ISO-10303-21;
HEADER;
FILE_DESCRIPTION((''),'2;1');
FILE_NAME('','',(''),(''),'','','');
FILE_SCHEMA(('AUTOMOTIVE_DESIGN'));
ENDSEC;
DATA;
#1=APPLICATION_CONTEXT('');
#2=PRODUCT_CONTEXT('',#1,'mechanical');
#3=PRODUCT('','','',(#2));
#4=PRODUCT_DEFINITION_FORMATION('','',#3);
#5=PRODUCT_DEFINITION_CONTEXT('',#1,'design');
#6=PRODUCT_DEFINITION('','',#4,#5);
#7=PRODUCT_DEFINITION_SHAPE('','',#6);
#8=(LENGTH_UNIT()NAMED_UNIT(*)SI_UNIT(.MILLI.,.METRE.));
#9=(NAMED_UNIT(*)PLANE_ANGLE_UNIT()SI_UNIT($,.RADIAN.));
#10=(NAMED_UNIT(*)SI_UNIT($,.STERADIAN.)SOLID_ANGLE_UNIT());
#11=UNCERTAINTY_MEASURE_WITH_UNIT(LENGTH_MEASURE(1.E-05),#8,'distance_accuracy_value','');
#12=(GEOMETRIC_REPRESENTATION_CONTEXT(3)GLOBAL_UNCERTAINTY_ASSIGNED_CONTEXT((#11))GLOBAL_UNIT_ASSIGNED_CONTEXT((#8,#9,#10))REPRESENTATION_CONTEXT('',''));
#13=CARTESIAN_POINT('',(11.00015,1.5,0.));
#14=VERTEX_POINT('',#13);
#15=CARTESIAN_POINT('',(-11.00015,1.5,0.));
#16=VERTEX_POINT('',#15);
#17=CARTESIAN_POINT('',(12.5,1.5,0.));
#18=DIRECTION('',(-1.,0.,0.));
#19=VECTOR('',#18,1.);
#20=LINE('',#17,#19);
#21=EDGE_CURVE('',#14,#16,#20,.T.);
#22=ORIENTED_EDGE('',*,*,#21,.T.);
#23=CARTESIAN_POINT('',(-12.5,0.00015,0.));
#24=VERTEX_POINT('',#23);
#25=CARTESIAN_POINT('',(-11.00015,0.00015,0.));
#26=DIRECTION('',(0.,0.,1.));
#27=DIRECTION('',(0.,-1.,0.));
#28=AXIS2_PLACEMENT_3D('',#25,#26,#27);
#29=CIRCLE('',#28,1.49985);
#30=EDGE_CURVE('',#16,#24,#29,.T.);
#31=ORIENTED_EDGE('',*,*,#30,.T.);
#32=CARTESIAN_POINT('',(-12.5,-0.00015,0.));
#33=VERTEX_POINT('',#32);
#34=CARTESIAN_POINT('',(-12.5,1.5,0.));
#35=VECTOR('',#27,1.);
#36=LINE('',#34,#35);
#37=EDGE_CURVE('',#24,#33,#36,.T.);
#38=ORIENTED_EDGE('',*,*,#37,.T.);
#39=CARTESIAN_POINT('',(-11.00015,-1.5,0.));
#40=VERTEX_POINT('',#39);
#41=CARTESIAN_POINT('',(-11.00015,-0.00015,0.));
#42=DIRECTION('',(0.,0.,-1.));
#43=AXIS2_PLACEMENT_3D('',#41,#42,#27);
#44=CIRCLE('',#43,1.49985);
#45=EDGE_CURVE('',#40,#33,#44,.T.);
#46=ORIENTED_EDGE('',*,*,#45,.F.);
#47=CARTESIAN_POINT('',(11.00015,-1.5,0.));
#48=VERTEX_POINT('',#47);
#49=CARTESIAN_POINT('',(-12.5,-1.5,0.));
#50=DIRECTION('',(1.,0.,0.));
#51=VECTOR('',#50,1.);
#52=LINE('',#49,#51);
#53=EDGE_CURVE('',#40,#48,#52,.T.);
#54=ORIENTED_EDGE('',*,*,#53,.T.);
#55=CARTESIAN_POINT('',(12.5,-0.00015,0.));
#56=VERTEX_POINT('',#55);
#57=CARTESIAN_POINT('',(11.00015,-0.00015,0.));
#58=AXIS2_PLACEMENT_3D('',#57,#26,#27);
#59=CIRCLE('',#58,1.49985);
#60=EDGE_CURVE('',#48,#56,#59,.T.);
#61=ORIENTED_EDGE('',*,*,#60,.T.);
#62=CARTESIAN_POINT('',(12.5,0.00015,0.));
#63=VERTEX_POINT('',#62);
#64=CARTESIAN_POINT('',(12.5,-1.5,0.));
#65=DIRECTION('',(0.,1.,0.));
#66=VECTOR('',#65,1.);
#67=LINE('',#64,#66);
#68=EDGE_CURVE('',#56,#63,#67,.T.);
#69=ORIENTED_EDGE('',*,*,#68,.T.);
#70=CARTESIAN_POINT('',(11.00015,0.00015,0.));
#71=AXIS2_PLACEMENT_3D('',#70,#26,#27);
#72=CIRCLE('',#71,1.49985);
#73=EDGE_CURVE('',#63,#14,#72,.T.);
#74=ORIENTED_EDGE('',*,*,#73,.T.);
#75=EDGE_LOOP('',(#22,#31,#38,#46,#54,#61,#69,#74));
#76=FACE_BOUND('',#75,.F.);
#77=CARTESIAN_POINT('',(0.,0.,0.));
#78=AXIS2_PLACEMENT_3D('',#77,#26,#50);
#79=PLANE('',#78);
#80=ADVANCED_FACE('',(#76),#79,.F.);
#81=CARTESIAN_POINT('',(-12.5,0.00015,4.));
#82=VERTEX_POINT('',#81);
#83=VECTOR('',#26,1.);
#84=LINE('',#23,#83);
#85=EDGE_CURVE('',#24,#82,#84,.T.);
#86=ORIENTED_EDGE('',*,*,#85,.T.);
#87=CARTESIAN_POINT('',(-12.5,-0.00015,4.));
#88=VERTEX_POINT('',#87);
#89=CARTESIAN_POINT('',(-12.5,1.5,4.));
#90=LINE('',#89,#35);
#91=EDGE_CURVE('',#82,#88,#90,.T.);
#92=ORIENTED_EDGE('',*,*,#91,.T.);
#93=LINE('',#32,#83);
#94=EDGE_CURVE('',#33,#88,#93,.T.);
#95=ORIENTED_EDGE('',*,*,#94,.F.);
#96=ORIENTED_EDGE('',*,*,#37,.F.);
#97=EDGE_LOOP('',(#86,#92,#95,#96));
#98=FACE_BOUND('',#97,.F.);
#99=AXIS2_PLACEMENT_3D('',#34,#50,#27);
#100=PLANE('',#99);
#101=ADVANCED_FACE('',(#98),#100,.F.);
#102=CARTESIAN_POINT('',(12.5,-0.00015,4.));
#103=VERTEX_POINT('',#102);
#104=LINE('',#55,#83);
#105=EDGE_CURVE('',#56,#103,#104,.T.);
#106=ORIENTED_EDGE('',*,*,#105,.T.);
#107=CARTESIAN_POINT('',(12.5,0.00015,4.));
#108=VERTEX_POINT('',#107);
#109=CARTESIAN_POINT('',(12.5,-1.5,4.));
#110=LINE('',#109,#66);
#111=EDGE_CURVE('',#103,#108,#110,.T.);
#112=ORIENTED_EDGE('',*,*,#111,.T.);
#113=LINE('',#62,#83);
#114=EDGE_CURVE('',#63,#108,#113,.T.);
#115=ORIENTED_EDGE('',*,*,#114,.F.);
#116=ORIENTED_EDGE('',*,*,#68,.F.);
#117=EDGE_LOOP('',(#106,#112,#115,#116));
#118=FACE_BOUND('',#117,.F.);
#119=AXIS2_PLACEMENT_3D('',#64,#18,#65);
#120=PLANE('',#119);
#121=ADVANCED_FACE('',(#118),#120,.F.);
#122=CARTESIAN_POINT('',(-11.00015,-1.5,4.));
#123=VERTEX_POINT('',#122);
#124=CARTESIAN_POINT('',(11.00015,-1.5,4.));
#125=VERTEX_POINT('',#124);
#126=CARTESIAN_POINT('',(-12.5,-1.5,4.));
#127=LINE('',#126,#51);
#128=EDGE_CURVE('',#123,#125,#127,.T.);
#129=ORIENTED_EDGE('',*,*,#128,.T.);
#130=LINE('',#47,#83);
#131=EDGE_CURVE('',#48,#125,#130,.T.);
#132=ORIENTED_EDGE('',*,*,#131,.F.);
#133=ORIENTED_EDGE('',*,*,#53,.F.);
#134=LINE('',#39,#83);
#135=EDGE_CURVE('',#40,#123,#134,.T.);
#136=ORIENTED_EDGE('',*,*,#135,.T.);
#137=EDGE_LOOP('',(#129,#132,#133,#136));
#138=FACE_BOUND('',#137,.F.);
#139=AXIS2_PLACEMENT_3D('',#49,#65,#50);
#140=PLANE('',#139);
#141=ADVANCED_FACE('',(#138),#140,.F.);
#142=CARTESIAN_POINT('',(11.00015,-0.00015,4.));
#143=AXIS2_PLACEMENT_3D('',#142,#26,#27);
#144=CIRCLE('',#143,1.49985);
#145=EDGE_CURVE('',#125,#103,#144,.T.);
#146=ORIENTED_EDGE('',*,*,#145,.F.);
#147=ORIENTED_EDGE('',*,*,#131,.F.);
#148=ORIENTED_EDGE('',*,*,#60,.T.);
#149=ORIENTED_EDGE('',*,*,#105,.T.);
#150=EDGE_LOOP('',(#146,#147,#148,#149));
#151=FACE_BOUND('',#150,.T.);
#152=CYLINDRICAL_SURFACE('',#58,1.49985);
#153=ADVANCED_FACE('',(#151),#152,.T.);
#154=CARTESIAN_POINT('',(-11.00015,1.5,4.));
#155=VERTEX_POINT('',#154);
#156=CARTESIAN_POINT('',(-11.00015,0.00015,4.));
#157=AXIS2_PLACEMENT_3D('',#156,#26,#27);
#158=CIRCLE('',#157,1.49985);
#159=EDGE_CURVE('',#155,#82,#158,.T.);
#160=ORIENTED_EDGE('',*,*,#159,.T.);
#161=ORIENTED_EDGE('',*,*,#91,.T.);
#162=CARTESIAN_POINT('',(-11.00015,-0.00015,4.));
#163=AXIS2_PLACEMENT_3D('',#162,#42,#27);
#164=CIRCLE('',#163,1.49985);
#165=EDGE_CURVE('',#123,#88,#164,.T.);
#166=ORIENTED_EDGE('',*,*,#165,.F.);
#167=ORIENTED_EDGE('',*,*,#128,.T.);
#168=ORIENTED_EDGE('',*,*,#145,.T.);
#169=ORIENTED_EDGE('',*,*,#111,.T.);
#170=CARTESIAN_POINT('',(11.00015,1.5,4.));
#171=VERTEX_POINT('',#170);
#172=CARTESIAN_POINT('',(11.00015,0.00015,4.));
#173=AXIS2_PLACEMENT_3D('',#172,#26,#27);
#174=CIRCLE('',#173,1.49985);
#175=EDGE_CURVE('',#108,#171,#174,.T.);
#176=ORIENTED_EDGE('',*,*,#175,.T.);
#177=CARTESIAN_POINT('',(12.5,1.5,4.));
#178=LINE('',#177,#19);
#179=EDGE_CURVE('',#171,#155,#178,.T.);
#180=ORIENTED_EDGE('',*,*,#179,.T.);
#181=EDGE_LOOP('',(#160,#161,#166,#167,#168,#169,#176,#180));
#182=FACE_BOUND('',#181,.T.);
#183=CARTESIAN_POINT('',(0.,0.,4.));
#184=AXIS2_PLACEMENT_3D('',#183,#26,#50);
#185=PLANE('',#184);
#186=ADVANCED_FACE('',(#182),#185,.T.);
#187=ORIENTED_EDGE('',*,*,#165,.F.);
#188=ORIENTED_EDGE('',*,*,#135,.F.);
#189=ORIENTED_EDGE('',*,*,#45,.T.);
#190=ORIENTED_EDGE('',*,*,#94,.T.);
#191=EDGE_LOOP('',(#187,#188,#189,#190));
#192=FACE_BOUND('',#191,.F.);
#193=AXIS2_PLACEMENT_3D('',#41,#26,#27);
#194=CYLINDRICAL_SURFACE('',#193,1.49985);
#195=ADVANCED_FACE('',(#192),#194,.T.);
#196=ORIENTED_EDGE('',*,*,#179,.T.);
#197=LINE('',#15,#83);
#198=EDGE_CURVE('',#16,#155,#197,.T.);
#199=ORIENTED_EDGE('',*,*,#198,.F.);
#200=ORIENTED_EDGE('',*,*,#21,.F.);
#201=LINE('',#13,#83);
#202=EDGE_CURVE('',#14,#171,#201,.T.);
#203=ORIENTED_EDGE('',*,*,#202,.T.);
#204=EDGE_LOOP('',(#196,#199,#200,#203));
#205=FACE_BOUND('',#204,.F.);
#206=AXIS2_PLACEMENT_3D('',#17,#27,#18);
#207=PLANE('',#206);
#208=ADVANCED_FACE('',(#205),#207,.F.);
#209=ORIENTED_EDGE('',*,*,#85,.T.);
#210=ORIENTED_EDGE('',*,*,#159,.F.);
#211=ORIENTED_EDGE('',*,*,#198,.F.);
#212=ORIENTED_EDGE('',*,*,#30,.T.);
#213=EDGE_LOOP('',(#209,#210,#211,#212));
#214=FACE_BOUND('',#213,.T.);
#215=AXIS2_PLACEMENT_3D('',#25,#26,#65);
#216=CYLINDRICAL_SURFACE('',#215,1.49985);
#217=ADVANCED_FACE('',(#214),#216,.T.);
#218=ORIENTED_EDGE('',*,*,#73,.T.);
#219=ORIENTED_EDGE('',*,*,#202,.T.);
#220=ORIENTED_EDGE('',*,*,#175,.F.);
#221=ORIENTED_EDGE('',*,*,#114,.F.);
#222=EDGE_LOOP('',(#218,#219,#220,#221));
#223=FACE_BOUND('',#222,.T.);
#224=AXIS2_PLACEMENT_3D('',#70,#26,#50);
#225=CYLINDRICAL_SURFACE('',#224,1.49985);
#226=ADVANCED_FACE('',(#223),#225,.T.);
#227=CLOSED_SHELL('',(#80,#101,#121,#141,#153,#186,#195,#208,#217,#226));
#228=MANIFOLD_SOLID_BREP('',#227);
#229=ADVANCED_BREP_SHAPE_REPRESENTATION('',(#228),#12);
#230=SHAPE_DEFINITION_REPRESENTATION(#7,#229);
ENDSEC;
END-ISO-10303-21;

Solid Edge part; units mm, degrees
sketch "Sketch1" plane through (0, 0, 0) normal (0, 0, 1) x (1, 0, 0)
  line L0 (-12.5, -1.5) -> (12.5, -1.5)
  line L1 (12.5, -1.5) -> (12.5, 1.5)
  line L2 (12.5, 1.5) -> (-12.5, 1.5)
  line L3 (-12.5, 1.5) -> (-12.5, -1.5)
  dimension "D1" = 3
  dimension "D2" = 25
extrude "Protrusion1" add sketch "Sketch1" along normal blind 4
fillet "Rotondo_1" radius 1.5 4 edges at (12.5, -1.5, 2) (12.5, 1.5, 2) (-12.5, -1.5, 2) (-12.5, 1.5, 2)
